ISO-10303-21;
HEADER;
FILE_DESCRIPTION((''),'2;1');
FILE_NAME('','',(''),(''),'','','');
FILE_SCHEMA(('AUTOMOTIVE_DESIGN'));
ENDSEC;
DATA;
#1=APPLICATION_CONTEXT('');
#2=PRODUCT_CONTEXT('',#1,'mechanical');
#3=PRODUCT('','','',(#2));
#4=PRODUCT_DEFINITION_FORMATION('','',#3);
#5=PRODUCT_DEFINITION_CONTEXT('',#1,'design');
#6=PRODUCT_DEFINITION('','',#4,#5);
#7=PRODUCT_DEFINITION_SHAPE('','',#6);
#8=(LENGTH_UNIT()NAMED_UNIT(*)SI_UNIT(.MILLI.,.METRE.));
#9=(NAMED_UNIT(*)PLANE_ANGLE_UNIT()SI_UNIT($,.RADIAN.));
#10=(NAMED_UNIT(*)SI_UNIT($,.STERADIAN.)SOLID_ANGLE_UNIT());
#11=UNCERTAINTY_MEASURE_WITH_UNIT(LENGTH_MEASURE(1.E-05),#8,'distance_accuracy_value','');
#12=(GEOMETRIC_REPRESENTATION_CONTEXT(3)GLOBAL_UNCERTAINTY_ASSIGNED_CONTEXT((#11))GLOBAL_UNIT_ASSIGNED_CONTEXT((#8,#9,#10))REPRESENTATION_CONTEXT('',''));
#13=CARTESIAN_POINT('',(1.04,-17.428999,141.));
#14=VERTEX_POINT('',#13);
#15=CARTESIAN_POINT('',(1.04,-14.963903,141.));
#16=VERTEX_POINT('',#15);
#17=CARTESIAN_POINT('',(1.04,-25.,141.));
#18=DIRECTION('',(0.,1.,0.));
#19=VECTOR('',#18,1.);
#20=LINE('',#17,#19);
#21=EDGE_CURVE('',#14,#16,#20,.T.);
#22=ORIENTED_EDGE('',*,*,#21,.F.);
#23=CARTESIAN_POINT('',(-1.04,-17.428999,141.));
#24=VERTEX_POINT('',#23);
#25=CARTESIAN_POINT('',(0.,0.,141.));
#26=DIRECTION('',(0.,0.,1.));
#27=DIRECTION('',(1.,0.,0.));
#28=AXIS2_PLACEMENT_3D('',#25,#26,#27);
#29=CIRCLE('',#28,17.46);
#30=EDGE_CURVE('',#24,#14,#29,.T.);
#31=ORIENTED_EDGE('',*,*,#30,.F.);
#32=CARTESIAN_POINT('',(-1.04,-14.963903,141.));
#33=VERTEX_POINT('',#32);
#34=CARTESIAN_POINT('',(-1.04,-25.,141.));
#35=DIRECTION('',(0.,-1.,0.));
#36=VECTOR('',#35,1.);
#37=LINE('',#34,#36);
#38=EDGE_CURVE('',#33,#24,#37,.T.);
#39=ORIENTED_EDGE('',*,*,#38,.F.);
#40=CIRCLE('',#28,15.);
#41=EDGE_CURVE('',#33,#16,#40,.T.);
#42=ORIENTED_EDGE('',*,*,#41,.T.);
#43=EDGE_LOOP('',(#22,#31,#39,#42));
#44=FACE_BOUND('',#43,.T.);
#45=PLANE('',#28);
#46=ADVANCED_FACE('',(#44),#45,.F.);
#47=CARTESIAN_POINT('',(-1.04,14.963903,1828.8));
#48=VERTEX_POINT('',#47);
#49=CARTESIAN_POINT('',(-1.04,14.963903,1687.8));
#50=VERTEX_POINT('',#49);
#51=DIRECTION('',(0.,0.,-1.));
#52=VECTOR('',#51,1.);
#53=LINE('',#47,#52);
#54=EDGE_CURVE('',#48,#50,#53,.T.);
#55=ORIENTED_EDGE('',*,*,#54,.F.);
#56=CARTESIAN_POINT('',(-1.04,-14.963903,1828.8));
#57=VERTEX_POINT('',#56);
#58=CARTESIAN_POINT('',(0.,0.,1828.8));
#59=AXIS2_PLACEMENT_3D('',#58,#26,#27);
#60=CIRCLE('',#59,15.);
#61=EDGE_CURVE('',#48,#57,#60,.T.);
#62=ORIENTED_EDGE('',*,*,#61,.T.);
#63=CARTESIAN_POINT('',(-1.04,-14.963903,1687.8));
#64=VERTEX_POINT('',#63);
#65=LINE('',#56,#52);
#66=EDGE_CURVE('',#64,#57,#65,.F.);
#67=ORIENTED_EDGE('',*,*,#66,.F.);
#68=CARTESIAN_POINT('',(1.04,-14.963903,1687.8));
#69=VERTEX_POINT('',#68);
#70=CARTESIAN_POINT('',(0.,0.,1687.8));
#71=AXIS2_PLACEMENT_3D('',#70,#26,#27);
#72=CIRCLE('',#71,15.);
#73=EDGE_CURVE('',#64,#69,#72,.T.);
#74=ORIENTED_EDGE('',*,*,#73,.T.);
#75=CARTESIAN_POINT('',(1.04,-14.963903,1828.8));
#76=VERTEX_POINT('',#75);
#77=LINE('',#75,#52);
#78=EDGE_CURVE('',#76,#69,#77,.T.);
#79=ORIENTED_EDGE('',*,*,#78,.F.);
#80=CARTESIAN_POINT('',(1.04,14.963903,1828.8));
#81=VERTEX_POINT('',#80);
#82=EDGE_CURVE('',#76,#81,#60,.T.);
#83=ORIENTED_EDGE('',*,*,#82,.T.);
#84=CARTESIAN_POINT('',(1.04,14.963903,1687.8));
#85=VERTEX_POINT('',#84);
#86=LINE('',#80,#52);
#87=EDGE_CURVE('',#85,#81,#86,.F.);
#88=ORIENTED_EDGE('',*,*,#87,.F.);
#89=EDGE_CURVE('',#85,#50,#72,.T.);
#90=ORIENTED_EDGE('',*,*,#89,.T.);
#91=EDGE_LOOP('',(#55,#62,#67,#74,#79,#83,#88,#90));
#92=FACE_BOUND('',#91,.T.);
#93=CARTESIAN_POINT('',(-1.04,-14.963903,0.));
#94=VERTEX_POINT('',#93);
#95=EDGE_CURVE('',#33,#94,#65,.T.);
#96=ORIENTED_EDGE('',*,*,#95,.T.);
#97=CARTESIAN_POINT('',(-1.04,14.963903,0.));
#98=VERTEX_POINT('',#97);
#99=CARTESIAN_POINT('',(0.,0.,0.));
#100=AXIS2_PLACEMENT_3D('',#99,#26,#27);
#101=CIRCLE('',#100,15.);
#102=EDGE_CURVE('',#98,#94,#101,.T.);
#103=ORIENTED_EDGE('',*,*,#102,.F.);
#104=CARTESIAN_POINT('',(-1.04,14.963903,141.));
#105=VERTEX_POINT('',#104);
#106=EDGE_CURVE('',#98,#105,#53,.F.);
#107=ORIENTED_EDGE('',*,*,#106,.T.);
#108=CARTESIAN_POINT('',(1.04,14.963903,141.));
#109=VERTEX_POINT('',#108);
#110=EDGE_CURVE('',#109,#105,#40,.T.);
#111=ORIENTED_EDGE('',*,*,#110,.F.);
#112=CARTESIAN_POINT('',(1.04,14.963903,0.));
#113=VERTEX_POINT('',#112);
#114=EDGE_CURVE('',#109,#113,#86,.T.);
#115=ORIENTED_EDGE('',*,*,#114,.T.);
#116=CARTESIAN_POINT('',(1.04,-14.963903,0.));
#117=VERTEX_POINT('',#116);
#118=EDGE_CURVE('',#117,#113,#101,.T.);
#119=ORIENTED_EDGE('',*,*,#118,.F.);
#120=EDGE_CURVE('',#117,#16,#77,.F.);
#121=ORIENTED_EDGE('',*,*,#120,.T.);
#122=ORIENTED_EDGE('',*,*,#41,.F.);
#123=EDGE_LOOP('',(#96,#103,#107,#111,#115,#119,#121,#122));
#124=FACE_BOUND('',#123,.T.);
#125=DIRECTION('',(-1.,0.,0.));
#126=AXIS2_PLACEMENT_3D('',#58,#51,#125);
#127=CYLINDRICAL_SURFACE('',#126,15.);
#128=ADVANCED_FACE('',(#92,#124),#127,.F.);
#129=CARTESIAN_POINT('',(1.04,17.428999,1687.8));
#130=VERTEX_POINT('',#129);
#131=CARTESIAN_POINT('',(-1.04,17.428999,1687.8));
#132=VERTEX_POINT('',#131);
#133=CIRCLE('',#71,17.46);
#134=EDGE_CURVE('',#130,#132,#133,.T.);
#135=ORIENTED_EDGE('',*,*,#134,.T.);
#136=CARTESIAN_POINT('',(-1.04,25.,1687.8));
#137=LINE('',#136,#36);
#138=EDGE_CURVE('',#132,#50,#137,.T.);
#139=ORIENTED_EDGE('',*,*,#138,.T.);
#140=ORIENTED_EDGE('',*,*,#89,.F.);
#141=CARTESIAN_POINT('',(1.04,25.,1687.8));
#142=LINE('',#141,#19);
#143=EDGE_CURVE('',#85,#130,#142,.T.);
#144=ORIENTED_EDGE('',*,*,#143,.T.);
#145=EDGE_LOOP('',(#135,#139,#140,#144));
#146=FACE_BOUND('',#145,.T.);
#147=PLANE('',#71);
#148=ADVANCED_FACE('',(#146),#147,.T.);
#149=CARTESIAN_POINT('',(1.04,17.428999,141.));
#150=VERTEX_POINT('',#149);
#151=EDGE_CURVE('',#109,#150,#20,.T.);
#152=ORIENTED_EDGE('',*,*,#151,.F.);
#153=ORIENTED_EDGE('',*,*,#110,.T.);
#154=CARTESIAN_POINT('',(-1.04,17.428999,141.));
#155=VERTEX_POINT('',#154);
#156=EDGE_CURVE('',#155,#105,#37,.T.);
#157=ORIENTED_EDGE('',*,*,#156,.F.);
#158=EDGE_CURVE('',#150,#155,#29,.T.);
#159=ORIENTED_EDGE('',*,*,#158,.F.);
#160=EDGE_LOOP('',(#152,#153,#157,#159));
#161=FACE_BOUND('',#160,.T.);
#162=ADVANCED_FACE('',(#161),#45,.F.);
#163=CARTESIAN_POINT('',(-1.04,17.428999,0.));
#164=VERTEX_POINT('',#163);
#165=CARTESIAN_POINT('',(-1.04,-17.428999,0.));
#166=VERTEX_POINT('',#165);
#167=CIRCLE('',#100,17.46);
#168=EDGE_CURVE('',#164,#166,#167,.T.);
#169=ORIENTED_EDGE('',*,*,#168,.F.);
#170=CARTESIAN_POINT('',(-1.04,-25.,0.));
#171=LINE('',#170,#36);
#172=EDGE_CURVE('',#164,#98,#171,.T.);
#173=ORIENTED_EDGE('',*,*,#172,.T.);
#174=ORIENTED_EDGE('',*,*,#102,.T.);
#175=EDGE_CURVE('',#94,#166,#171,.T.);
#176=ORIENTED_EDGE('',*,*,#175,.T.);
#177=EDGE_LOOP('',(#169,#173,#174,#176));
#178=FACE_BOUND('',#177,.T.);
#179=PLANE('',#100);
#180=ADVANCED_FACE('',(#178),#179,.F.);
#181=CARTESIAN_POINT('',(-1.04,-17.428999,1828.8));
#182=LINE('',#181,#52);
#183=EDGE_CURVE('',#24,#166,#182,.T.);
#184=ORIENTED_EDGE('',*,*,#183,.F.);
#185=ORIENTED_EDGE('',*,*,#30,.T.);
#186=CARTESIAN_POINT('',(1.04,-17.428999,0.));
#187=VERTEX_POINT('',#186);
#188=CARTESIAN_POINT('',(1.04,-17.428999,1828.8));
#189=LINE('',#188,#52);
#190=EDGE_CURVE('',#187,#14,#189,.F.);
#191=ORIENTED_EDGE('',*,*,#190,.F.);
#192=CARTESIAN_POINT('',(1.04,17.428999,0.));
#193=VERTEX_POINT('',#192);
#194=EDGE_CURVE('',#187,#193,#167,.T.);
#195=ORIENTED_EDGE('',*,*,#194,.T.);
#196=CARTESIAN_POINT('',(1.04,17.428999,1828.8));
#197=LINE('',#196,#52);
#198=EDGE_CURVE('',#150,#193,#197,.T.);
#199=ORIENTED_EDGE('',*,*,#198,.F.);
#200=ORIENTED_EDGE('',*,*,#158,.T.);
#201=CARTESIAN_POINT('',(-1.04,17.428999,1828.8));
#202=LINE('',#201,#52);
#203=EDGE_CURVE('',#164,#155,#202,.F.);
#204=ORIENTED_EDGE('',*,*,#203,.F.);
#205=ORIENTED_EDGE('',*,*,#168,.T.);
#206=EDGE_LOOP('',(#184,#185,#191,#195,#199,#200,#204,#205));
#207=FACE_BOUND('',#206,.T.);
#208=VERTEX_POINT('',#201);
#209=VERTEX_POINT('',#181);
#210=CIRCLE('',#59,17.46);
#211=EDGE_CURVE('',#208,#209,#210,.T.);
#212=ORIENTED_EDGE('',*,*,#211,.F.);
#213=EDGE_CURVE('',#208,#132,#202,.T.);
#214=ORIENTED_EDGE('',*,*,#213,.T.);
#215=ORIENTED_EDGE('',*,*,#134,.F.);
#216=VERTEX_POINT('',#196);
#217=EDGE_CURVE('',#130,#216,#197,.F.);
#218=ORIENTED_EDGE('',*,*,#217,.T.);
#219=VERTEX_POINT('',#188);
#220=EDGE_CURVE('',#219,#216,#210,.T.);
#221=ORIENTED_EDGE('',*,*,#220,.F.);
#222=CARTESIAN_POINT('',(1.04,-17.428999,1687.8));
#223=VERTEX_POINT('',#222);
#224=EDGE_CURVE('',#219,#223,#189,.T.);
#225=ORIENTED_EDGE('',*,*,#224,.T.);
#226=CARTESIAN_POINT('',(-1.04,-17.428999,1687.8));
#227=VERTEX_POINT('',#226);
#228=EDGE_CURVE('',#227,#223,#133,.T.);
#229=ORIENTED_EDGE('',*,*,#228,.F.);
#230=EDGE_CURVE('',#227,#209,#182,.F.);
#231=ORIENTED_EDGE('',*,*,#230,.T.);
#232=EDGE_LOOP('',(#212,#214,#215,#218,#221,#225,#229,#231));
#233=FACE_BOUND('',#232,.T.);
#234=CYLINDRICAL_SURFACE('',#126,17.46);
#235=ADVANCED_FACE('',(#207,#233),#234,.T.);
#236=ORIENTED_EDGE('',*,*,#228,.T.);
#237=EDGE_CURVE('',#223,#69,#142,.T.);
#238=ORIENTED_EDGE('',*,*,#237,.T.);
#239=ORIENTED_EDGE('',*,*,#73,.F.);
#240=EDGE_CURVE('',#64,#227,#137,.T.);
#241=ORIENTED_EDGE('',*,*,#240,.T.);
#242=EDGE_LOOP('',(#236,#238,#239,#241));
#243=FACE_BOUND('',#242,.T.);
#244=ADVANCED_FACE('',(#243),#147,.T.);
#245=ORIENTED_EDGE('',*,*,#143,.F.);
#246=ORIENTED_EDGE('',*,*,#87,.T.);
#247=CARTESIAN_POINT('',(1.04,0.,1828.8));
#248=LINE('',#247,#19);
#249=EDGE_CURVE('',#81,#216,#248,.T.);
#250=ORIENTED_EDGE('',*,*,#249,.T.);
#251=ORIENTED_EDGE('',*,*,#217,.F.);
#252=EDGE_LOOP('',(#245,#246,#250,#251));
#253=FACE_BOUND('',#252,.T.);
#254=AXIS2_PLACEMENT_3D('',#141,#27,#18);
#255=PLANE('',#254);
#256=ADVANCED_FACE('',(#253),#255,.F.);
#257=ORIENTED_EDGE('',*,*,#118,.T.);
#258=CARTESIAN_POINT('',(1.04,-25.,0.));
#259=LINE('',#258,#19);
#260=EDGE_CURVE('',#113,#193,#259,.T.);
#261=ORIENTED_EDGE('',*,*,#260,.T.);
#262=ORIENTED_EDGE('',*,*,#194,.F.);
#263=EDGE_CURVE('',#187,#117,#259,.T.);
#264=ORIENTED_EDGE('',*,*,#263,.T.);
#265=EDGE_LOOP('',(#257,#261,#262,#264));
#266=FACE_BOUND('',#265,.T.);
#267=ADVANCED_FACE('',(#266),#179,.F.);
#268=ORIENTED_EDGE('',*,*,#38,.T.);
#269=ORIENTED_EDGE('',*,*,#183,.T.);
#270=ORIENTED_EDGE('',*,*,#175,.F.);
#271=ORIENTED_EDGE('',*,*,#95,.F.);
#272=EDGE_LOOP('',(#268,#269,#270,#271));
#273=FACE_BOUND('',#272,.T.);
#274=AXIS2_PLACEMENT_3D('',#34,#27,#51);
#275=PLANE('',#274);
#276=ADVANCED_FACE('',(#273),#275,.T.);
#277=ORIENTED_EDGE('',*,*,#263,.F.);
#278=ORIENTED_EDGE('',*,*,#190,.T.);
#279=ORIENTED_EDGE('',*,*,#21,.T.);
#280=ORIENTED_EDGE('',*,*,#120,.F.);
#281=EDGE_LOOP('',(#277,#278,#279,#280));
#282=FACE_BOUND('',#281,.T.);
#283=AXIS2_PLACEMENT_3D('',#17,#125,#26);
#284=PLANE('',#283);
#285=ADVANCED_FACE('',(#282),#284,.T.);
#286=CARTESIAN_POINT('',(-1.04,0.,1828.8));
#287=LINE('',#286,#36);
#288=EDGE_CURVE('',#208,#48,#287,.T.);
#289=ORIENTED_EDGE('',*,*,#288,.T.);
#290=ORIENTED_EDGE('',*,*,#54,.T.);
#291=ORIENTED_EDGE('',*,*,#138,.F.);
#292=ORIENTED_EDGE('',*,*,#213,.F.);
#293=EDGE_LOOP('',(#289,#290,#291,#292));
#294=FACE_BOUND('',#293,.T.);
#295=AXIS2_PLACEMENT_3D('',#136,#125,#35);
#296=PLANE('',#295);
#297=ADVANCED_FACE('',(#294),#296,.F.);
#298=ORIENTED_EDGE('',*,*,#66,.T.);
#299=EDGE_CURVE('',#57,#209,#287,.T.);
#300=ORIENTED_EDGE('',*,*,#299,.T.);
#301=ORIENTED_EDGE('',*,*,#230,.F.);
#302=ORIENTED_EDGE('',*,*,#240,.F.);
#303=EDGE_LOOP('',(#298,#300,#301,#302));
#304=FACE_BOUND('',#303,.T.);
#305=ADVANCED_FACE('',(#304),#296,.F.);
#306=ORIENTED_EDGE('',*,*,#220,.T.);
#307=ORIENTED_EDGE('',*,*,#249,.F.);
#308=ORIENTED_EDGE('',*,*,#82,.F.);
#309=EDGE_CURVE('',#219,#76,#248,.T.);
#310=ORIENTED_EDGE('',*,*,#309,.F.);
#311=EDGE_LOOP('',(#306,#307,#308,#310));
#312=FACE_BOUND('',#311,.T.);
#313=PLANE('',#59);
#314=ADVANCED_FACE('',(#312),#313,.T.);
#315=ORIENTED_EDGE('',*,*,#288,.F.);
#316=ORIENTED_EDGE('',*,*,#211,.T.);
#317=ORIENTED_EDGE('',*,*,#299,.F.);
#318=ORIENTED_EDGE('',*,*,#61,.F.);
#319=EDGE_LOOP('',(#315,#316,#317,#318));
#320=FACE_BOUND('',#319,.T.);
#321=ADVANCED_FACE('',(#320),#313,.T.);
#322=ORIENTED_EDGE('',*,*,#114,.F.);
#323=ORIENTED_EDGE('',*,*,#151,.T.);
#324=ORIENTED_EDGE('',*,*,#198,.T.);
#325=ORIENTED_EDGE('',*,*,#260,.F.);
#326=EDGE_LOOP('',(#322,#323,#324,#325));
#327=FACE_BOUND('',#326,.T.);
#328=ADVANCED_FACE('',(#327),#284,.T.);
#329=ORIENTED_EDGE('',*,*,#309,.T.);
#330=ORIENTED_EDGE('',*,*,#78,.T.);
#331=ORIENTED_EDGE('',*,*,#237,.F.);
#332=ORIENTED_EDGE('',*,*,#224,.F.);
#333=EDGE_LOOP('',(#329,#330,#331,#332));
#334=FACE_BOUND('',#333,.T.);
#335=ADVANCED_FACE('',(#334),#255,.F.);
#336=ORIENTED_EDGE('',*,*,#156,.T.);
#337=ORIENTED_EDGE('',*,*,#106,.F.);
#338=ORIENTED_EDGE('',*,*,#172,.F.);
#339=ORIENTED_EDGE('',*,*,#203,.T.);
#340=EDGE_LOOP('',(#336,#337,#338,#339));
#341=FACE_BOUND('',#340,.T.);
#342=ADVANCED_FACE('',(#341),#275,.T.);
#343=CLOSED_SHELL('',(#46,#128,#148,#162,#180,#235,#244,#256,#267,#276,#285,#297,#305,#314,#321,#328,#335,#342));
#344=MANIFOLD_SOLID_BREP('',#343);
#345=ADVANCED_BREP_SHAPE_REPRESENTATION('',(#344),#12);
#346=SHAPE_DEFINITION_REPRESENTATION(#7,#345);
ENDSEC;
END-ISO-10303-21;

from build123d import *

# Parameters (mm, degrees)
SKETCH1_R           = 17.46
SKETCH1_R_2         = 15
BOSS_EXTRUDE1_DEPTH = 1828.8
SKETCH4_W           = 2.08
SKETCH4_H           = 50
CUT_EXTRUDE2_DEPTH  = 141
SKETCH7_W           = 2.08
SKETCH7_H           = 50
CUT_EXTRUDE3_DEPTH  = 141


with BuildPart() as part:
    # Sketch1 → Boss-Extrude1 (new body)
    with BuildSketch(Plane.XY):
        Circle(SKETCH1_R)
        Circle(SKETCH1_R_2, mode=Mode.SUBTRACT)
    extrude(amount=BOSS_EXTRUDE1_DEPTH)

    # Sketch4 → Cut-Extrude2 (cut)
    with BuildSketch(Plane.XY):
        Rectangle(SKETCH4_W, SKETCH4_H)
    extrude(amount=CUT_EXTRUDE2_DEPTH, mode=Mode.SUBTRACT)

    # Sketch7 → Cut-Extrude3 (cut)
    with BuildSketch(Plane.XY.offset(1828.8)):
        Rectangle(SKETCH7_W, SKETCH7_H)
    extrude(amount=-CUT_EXTRUDE3_DEPTH, mode=Mode.SUBTRACT)


solid = part.part
